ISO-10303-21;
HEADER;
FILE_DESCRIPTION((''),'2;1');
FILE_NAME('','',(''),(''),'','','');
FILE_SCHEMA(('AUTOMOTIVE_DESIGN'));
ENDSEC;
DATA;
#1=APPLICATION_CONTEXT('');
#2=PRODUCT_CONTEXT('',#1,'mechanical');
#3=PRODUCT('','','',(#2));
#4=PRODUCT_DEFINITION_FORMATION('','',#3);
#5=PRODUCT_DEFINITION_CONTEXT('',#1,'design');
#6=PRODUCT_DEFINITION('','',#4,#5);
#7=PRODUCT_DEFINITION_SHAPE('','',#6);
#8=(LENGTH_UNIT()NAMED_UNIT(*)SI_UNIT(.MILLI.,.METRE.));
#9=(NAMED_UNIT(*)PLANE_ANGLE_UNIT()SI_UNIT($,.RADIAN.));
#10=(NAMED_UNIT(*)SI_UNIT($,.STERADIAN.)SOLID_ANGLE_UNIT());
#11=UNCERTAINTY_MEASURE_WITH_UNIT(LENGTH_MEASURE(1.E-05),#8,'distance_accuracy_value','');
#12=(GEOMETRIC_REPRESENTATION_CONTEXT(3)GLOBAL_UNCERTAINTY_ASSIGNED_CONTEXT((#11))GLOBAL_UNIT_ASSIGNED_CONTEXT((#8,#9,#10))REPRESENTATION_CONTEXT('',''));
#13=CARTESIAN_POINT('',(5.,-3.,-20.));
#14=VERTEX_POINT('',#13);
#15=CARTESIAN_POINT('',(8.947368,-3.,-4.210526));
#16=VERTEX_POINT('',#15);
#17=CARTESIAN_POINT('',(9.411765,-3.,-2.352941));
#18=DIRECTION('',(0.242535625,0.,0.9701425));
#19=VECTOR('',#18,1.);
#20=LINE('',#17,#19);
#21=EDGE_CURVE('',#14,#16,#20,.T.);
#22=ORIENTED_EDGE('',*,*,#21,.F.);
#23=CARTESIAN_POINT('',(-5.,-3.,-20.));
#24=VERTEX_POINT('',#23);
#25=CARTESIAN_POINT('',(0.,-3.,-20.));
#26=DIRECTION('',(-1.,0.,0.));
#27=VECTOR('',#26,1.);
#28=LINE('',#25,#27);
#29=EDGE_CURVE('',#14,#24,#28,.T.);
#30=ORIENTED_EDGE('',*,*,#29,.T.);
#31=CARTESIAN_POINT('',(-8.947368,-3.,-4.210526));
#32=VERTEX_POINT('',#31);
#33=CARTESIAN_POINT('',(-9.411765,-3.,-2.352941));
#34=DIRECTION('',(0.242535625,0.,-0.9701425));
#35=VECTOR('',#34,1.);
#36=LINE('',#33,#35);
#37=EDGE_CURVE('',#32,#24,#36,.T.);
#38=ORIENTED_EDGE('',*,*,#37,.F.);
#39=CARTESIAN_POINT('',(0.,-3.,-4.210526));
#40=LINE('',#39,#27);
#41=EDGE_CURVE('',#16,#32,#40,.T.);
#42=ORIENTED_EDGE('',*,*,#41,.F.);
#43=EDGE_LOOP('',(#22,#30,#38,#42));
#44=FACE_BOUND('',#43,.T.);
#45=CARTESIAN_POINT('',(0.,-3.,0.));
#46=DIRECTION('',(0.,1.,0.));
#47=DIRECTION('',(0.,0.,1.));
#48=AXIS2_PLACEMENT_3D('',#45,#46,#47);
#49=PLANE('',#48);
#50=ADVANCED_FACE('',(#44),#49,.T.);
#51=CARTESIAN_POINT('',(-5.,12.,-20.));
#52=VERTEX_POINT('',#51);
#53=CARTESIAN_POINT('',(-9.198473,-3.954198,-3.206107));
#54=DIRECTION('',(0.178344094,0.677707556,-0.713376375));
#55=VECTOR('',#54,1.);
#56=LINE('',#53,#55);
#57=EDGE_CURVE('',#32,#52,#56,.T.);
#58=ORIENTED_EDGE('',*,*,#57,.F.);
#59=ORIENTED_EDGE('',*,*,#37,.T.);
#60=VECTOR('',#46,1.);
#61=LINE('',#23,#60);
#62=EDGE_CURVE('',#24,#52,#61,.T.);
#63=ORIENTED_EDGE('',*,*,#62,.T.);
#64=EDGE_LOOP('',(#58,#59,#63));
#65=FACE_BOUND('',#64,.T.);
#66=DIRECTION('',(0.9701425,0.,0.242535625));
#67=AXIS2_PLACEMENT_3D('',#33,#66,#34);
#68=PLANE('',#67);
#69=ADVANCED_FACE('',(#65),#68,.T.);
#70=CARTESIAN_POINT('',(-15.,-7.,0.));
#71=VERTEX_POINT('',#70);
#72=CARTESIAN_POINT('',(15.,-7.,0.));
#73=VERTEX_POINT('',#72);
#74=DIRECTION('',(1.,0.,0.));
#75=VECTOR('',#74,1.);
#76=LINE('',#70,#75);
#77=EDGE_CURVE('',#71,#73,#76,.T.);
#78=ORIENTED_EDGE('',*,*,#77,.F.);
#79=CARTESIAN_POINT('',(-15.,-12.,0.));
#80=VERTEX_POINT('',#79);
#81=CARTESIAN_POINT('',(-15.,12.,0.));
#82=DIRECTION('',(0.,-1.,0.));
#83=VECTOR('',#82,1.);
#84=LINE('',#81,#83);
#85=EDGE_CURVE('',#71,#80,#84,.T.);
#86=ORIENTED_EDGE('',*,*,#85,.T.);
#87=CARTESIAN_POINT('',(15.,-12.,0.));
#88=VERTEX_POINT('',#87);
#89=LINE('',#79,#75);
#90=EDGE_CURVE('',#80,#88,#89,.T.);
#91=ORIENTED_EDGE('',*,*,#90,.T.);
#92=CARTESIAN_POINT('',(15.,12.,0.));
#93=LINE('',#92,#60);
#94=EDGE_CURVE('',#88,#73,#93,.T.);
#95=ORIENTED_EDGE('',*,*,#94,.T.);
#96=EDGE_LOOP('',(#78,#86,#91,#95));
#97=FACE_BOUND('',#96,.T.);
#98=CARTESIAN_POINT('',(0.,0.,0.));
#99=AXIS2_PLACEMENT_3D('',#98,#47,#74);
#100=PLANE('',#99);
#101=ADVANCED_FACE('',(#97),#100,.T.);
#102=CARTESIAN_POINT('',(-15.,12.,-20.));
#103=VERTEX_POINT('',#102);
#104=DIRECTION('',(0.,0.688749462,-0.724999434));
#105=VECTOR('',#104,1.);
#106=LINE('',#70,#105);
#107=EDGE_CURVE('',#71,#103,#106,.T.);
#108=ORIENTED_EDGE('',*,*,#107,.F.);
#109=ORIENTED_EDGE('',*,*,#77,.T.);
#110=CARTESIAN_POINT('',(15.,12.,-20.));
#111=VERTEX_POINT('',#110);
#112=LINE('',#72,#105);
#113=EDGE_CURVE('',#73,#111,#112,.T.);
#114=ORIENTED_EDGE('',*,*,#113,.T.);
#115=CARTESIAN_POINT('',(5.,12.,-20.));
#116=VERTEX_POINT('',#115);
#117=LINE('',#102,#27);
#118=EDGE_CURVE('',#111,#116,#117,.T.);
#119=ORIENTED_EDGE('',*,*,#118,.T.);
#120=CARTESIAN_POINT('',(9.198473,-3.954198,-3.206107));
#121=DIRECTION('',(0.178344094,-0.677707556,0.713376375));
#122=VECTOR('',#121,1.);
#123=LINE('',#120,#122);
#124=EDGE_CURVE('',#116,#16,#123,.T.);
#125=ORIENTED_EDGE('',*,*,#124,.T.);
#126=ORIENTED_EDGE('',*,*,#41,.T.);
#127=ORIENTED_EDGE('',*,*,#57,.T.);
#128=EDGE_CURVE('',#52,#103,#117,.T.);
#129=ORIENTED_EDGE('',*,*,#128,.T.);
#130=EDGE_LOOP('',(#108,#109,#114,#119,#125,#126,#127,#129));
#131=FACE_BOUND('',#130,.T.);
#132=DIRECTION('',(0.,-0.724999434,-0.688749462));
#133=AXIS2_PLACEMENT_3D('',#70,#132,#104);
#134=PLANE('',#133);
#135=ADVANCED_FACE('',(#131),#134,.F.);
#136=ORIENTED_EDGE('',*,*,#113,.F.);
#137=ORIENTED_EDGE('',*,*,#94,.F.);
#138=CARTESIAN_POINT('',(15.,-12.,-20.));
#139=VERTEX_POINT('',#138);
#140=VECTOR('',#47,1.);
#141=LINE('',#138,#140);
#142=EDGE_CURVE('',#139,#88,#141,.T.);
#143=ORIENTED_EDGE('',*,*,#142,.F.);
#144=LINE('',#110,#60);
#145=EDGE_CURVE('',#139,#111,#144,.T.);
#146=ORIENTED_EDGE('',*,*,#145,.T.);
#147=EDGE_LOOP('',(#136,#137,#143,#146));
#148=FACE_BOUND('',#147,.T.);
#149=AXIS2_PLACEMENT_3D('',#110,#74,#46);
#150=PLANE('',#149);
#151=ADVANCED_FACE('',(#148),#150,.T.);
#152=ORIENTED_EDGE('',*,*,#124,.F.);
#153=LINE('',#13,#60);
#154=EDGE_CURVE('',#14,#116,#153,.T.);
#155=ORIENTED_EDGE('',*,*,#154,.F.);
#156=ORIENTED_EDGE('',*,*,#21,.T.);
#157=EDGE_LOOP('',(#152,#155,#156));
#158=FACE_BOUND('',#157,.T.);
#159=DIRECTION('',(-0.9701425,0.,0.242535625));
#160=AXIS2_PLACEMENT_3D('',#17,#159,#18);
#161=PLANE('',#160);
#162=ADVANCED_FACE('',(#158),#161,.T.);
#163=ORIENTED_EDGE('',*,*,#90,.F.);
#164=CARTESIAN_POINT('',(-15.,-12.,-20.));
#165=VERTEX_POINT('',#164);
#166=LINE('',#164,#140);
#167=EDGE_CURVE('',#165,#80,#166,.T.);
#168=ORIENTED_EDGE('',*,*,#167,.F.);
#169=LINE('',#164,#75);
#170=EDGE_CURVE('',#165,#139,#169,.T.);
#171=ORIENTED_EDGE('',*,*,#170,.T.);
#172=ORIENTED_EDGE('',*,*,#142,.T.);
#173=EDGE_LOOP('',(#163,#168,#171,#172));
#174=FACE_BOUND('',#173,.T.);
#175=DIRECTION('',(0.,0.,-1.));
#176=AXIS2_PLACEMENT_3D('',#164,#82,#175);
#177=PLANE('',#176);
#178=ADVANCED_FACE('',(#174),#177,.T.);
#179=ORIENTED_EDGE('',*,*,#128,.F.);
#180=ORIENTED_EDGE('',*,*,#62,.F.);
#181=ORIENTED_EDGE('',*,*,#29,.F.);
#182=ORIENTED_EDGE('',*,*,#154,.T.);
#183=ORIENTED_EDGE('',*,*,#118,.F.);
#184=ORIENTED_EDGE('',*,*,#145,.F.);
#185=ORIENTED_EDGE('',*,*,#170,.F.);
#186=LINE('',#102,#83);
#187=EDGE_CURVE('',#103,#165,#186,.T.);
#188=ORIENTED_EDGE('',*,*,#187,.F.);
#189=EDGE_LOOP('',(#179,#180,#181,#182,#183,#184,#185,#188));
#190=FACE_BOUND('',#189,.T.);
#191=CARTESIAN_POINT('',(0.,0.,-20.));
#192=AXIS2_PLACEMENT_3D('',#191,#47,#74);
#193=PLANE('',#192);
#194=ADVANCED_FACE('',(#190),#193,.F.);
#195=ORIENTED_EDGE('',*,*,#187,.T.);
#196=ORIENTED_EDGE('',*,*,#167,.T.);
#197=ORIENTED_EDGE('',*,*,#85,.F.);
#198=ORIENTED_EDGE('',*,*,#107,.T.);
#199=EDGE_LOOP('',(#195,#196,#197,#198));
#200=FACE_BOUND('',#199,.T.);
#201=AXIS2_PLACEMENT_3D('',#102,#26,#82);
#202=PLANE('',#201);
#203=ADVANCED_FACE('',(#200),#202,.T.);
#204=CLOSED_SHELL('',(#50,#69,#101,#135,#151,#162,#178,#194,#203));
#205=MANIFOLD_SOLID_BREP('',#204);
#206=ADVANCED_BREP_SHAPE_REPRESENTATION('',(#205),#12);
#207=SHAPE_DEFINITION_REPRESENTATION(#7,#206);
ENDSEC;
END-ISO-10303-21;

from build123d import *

# Parameters (mm, degrees)
SKETCH_1_W          = 30
SKETCH_1_H          = 24
EXTRUDE_1_DEPTH     = 20
CUT_EXTRUDE_1_DEPTH = 15
CUT_EXTRUDE_2_DEPTH = 39


with BuildPart() as part:
    # 草圖1 → 填料-伸長1 (new body)
    with BuildSketch(Plane.XY):
        Rectangle(SKETCH_1_W, SKETCH_1_H)
    extrude(amount=-EXTRUDE_1_DEPTH)

    # 草圖2 → 除料-伸長1 (cut)
    with BuildSketch(Plane(origin=(0, 12, 0), x_dir=(1, 0, 0), z_dir=(0, 1, 0))):
        Polygon((0, 0), (0, 20), (-5, 20), (-10, 0), align=None)
        Polygon((10, 0), (5, 20), (0, 20), (0, 0), align=None)
    extrude(amount=-CUT_EXTRUDE_1_DEPTH, mode=Mode.SUBTRACT)

    # 草圖3 → 除料-伸長2 (cut, through all)
    with BuildSketch(Plane(origin=(15, 0, 0), x_dir=(0, 0, -1), z_dir=(1, 0, 0))):
        Polygon((0, -7), (20, 12), (0, 12), align=None)
    extrude(amount=-CUT_EXTRUDE_2_DEPTH, mode=Mode.SUBTRACT)


solid = part.part
